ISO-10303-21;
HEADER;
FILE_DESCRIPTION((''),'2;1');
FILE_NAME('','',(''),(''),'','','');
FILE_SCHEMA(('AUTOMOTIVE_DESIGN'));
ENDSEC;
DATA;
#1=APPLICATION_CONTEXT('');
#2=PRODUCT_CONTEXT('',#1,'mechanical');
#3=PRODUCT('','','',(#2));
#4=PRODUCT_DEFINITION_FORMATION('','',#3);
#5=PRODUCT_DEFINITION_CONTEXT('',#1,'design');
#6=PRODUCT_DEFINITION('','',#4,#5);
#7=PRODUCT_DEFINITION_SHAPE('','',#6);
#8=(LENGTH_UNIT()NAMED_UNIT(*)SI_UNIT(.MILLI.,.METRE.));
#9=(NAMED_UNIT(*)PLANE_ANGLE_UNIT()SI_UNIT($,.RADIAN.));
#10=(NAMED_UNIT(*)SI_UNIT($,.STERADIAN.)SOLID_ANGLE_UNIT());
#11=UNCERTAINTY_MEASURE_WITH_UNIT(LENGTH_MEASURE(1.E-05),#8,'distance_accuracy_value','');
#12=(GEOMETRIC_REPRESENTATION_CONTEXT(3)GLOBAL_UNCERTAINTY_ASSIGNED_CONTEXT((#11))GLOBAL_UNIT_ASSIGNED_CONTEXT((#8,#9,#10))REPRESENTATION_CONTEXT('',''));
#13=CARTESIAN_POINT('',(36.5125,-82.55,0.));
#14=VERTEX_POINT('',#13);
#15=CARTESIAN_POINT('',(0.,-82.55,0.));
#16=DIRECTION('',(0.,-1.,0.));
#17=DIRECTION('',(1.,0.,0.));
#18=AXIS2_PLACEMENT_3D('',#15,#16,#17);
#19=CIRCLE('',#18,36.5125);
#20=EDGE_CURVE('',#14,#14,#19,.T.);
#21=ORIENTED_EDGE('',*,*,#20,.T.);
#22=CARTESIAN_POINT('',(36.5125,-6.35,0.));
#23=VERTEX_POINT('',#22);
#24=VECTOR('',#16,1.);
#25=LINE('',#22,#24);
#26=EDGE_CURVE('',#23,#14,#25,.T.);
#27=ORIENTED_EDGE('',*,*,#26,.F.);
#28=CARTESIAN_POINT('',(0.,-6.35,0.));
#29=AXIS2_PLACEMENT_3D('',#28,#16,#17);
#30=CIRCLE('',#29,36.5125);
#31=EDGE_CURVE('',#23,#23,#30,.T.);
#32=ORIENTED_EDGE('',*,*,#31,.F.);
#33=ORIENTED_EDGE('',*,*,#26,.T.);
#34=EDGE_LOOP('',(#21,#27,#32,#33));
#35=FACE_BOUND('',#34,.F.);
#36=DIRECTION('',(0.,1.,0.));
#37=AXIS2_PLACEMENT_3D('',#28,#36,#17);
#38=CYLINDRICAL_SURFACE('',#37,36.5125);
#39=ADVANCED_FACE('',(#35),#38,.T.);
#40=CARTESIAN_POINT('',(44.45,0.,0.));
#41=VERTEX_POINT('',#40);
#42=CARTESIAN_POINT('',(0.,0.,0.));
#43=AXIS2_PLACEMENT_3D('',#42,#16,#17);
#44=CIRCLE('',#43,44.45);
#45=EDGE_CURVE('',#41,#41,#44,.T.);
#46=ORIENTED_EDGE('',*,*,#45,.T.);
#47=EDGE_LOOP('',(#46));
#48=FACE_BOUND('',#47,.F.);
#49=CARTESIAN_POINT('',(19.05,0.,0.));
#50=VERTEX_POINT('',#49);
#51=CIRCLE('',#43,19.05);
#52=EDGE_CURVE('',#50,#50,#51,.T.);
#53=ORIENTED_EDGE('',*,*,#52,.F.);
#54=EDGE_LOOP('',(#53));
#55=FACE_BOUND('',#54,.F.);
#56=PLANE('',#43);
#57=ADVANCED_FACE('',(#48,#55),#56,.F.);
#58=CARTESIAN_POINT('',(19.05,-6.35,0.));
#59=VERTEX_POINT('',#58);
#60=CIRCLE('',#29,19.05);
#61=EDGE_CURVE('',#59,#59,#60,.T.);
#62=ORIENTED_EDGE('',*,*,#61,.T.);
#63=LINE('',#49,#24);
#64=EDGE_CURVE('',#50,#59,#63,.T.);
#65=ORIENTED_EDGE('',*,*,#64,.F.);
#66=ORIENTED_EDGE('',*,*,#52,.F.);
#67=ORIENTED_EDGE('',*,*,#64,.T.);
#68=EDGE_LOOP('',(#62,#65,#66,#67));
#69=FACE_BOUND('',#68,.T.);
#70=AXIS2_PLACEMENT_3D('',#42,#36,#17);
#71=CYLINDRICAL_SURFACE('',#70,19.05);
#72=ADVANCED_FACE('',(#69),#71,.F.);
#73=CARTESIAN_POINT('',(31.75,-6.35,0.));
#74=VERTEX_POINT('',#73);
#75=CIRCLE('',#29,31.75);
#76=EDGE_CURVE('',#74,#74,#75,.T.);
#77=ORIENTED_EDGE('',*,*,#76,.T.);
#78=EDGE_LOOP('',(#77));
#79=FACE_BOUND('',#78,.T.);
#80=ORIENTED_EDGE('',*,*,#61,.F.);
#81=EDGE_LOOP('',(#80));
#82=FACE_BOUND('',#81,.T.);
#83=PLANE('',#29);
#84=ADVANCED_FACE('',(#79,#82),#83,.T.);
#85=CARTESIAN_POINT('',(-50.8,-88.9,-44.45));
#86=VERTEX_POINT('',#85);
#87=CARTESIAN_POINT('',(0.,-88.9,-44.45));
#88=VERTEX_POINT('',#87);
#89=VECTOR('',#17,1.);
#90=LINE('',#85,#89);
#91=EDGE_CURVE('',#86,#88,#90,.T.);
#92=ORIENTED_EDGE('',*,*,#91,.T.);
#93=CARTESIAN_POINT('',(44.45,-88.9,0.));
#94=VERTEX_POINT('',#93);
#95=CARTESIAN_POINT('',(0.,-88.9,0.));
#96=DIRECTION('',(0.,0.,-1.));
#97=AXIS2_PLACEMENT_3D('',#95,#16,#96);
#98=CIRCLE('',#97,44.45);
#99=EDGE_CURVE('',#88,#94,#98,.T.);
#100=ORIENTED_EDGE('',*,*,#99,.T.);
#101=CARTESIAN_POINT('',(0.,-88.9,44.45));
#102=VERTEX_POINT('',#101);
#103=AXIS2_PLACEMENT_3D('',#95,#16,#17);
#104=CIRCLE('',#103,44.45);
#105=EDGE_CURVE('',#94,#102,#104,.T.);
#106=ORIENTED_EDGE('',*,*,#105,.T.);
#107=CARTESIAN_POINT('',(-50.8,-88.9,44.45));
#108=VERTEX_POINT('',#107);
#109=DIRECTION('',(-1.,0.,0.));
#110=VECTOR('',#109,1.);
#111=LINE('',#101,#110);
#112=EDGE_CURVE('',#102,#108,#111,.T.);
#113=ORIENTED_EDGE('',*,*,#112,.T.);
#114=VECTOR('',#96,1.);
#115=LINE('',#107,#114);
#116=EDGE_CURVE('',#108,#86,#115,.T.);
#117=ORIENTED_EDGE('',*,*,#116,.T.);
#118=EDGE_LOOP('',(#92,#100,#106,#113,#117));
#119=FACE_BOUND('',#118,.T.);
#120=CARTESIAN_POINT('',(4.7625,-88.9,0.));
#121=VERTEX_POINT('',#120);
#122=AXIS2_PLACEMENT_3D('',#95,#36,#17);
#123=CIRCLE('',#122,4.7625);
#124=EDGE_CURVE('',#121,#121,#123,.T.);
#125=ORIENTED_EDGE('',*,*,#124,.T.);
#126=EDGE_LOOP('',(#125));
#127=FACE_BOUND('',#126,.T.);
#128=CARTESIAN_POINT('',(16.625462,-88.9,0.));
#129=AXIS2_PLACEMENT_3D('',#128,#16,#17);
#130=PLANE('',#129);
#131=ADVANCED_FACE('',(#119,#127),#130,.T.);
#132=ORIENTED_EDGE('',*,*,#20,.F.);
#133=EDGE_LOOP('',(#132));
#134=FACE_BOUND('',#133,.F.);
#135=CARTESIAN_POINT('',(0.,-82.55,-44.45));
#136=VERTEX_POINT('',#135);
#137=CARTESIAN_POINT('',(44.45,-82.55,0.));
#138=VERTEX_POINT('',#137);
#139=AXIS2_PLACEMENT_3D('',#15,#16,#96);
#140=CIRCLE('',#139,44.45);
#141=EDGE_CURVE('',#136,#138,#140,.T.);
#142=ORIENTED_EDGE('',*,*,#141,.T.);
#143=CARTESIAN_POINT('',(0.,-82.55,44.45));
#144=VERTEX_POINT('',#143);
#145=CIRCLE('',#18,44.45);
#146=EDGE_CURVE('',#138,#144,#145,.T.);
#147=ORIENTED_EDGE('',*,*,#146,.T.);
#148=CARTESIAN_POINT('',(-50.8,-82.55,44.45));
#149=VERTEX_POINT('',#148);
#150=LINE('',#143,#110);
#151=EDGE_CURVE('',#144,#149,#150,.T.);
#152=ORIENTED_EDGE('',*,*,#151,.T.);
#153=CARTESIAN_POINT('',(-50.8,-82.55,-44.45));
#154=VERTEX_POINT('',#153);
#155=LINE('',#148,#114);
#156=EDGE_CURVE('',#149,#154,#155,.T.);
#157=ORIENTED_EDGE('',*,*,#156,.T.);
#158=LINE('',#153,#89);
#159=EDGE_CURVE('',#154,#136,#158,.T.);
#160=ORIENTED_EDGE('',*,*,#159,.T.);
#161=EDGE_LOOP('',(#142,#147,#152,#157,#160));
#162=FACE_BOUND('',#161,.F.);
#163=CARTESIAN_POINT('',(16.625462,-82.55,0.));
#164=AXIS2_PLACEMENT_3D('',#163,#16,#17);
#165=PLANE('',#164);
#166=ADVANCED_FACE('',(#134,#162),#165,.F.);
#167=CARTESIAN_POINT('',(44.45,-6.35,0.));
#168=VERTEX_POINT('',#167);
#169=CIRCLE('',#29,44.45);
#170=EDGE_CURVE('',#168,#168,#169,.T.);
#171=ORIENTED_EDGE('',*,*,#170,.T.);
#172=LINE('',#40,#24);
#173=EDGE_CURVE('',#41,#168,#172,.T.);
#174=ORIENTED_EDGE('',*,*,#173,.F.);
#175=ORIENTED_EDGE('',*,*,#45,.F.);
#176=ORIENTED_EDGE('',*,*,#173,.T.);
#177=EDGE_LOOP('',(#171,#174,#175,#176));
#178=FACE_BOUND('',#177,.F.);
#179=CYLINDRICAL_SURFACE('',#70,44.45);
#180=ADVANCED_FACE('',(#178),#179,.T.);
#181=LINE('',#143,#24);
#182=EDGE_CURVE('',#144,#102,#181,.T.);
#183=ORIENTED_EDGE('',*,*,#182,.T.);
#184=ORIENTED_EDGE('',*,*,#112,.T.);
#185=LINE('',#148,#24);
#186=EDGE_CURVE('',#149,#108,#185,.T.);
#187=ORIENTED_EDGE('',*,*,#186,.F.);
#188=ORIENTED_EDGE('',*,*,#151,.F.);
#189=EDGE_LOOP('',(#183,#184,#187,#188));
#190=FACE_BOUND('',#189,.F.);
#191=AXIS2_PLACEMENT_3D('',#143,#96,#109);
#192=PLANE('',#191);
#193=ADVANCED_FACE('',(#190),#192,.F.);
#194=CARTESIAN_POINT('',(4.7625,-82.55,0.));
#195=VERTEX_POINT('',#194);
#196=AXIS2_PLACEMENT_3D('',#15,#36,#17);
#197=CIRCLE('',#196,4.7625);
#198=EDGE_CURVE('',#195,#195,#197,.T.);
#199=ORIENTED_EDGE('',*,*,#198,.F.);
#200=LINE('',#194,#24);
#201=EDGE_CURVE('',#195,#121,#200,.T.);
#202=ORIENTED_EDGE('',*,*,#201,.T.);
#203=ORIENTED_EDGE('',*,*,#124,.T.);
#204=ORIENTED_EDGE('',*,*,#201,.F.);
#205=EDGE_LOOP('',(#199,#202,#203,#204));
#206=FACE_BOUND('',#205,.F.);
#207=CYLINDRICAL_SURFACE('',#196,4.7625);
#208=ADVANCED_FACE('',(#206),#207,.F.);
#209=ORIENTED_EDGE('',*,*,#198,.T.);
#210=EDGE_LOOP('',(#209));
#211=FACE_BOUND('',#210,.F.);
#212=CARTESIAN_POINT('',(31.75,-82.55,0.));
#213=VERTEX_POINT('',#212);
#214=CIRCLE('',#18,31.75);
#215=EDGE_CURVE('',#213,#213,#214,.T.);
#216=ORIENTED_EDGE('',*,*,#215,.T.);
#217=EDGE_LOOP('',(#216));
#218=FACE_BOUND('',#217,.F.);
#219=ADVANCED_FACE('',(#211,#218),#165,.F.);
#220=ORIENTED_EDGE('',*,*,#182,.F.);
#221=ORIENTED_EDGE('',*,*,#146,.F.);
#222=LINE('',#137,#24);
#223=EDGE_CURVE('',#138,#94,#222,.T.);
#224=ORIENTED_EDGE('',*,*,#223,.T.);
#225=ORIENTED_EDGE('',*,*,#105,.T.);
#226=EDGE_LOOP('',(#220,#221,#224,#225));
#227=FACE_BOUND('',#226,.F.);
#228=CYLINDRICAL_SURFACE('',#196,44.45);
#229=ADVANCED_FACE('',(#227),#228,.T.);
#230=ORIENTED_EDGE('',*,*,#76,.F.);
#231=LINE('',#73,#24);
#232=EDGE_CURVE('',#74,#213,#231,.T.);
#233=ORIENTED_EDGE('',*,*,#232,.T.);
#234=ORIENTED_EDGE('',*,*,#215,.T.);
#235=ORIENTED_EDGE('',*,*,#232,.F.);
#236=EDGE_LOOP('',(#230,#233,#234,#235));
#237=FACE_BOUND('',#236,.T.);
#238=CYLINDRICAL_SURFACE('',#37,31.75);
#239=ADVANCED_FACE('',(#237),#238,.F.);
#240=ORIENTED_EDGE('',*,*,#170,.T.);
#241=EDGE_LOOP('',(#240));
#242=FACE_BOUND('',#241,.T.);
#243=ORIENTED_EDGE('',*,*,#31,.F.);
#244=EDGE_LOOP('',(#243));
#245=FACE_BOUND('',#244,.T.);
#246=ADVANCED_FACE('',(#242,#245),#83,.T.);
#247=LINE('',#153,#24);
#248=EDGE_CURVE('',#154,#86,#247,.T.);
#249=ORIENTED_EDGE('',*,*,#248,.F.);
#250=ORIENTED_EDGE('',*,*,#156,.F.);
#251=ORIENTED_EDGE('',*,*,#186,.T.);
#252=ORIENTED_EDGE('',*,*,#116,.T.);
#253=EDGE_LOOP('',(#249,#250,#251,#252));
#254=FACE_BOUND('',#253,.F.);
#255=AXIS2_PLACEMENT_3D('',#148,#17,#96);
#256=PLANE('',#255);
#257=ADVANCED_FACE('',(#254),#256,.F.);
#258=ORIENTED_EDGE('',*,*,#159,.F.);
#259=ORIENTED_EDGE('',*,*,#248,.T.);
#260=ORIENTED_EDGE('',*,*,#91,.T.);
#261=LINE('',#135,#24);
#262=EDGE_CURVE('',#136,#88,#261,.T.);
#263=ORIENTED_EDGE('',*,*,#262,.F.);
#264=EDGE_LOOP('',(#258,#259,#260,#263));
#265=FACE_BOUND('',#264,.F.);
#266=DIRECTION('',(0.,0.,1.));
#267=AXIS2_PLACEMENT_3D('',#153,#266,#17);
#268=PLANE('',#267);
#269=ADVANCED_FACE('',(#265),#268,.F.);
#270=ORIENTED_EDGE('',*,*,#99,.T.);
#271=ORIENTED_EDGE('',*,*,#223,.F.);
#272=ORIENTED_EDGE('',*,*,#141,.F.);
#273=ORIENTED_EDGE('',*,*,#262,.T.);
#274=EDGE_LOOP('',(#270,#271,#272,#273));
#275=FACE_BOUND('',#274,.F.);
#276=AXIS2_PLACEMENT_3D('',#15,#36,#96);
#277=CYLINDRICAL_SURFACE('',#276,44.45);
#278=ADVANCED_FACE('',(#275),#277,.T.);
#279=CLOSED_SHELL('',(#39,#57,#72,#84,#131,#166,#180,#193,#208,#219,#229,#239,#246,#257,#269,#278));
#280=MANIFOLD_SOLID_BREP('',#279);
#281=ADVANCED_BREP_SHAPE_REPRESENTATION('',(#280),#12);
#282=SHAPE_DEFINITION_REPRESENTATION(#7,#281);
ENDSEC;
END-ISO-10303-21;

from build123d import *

# Parameters (mm, degrees)
F0_R     = 44.45
F0_R_2   = 19.05
F1_DEPTH = 6.35
F2_R     = 36.5125
F2_R_2   = 31.75
F3_DEPTH = 76.2
F5_DEPTH = 6.35
F6_W     = 6.35
F6_H     = 50.8
F7_DEPTH = 76.2


with BuildPart() as f1:
    # F0 (on Front) → F1 (new body)
    with BuildSketch(Plane.XZ):
        Circle(F0_R)
        Circle(F0_R_2, mode=Mode.SUBTRACT)
    extrude(amount=F1_DEPTH)

    # F2 (on face) → F3 (join)
    with BuildSketch(Plane.XZ.offset(6.35)):
        Circle(F2_R)
        Circle(F2_R_2, mode=Mode.SUBTRACT)
    extrude(amount=F3_DEPTH)

    # F4 (on face) → F5 (join)
    with BuildSketch(Plane.XZ.offset(82.55)):
        with BuildLine():
            ThreePointArc((0, -44.45), (31.4308964237, -31.4308964237), (44.45, 0))
            ThreePointArc((44.45, 0), (31.4308964237, 31.4308964237), (0, 44.45))
            Line((0, 44.45), (0, 4.7625))
            ThreePointArc((0, 4.7625), (3.3675960454, 3.3675960454), (4.7625, 0))
            ThreePointArc((4.7625, 0), (3.3675960454, -3.3675960454), (0, -4.7625))
            Line((0, -4.7625), (0, -44.45))
        make_face()
        with BuildLine():
            Line((0, 4.7625), (0, 44.45))
            ThreePointArc((0, 44.45), (-44.45, 0), (0, -44.45))
            Line((0, -44.45), (0, -4.7625))
            ThreePointArc((0, -4.7625), (-4.7625, 0), (0, 4.7625))
        make_face()
        with BuildLine():
            ThreePointArc((0, -44.45), (-44.45, 0), (0, 44.45))
            Line((0, 44.45), (-50.8, 44.45))
            Line((-50.8, 44.45), (-50.8, -44.45))
            Line((-50.8, -44.45), (0, -44.45))
        make_face()
    extrude(amount=F5_DEPTH)


with BuildPart() as f7:
    # F6 (on face) → F7 (new body)
    with BuildSketch(Plane.XZ.offset(88.9)):
        with Locations((41.275, 0)):
            Rectangle(F6_W, F6_H)
    extrude(amount=F7_DEPTH)


solid = f1.part
